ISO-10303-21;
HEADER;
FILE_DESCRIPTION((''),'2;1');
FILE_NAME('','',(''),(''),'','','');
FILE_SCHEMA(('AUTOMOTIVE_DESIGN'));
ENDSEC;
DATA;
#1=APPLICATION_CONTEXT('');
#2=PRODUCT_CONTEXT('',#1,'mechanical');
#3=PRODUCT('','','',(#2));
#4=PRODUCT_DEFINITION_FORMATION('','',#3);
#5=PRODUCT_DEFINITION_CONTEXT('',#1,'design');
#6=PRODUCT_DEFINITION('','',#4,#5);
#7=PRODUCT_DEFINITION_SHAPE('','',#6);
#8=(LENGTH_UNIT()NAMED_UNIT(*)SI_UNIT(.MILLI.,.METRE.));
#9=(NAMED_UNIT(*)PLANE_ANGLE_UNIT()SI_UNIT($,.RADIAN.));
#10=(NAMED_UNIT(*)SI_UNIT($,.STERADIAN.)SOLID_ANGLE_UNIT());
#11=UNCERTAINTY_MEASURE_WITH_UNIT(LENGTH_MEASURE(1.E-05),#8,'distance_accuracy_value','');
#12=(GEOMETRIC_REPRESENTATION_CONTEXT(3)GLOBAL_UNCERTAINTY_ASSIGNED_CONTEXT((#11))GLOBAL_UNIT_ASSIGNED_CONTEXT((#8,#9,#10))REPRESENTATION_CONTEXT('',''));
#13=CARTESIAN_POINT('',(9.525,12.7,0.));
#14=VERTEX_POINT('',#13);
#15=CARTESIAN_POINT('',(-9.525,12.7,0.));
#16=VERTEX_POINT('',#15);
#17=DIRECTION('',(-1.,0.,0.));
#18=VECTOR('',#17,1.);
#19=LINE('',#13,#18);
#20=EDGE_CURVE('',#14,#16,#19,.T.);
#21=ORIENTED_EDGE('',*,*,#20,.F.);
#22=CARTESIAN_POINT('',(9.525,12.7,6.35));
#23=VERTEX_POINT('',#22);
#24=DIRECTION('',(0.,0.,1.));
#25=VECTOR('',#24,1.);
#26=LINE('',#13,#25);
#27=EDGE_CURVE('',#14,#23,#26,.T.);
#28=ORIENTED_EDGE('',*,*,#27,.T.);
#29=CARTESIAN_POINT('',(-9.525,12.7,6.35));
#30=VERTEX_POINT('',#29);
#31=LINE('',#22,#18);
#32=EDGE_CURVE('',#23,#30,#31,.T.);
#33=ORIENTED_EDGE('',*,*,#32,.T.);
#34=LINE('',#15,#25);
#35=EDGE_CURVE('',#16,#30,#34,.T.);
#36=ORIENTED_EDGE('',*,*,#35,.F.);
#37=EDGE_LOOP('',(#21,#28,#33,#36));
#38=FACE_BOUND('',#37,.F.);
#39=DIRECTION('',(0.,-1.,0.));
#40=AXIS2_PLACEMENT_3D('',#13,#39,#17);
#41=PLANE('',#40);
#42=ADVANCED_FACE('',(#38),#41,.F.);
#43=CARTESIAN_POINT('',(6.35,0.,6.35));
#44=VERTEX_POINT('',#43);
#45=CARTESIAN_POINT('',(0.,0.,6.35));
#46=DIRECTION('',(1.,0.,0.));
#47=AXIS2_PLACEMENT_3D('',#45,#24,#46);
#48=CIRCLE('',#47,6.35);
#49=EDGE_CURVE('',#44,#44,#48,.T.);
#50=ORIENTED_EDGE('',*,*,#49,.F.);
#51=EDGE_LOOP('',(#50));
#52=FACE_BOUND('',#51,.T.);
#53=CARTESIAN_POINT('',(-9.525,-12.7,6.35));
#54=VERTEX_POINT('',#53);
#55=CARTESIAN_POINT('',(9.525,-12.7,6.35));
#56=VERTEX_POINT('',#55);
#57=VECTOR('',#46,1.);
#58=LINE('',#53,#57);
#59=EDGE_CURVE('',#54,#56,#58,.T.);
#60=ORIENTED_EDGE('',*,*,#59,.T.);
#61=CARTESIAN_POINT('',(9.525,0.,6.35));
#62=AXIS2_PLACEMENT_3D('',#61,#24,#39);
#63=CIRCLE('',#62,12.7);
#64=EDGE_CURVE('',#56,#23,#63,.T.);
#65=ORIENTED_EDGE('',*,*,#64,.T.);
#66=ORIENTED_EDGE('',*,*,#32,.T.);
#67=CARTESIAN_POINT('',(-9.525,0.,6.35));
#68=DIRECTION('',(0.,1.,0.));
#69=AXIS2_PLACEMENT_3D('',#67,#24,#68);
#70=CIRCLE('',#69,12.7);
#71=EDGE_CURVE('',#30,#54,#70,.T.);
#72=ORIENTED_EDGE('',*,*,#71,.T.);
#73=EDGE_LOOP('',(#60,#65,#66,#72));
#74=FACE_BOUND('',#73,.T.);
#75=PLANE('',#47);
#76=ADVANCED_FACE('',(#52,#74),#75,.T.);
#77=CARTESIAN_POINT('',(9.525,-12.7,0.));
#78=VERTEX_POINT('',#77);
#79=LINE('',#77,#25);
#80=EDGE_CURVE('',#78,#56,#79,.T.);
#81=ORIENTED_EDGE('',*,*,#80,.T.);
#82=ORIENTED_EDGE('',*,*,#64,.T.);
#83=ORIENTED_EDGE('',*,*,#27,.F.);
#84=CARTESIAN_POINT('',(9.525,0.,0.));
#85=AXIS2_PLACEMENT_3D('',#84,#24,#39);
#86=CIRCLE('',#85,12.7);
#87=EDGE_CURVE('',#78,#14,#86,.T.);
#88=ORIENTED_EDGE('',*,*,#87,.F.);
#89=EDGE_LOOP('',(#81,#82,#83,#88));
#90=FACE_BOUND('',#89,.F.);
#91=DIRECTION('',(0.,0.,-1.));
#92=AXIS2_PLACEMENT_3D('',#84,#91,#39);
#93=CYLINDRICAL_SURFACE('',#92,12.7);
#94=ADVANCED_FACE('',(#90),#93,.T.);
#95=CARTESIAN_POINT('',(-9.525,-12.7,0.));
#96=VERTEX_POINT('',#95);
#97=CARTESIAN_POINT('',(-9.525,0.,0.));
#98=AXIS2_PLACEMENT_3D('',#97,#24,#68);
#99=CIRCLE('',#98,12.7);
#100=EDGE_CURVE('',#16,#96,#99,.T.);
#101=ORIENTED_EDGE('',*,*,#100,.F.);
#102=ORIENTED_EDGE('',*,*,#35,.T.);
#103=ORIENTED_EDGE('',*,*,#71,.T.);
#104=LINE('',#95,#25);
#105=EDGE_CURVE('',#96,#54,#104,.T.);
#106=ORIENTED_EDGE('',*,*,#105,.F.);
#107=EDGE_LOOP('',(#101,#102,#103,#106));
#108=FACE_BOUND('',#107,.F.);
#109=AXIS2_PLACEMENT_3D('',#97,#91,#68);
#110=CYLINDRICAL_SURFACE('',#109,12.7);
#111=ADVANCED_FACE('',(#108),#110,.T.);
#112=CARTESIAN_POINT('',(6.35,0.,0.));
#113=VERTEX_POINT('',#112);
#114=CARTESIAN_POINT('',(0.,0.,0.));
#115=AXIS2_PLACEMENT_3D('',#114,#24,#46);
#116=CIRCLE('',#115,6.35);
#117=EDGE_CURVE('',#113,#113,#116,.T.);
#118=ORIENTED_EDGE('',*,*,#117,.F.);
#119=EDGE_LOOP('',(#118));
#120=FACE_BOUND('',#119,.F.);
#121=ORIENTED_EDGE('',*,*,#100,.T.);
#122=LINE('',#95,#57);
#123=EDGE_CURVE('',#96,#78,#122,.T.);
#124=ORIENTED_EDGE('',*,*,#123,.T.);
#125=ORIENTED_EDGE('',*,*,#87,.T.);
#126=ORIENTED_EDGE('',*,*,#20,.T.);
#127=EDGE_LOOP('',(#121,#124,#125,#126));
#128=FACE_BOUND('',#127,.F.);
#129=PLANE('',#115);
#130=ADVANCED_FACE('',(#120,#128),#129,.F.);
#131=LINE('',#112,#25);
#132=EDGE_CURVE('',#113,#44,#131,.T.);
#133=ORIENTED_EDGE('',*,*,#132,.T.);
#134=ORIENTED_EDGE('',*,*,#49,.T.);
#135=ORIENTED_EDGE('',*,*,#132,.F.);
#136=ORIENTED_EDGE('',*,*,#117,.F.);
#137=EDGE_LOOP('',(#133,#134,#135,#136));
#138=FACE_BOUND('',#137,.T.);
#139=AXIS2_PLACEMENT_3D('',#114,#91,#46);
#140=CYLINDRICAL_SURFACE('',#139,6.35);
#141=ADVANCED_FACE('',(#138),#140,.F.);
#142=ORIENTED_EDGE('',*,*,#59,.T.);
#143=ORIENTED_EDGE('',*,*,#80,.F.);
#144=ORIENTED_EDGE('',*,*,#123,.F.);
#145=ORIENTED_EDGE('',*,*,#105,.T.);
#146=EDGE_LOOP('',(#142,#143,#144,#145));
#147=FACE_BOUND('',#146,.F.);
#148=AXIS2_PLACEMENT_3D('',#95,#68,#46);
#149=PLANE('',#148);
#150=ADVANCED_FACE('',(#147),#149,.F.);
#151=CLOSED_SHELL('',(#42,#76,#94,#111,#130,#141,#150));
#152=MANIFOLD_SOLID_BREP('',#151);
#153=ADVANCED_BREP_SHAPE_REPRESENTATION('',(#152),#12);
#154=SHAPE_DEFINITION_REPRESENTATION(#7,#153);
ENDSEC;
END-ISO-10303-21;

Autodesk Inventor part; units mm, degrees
ref_plane "XY Plane" through (0, 0, 0) normal (0, 0, 1) x (1, 0, 0)
sketch "Sketch1" plane through (0, 0, 0) normal (0, 0, 1) x (1, 0, 0)
  point P0 (0, 0)
sketch "Sketch2" plane through (0, 0, 0) normal (0, 0, 1) x (1, 0, 0)
  line L0 (-9.525, 0) -> (9.525, 0) construction
  line L1 (-9.525, -12.7) -> (9.525, -12.7)
  line L2 (9.525, 12.7) -> (-9.525, 12.7)
  arc A0 (-9.525, 12.7) -> (-9.525, -12.7) centre (-9.525, 0) ccw
  arc A1 (9.525, -12.7) -> (9.525, 12.7) centre (9.525, 0) ccw
  circle A2 centre (0, 0) radius 6.35
  dimension "d0" = 9.525
  dimension "d1" = 25.4
  dimension "d2" = 12.7
extrude "Extrusion1" add sketch "Sketch2" along normal blind 6.35
properties part number "CS-Base"
